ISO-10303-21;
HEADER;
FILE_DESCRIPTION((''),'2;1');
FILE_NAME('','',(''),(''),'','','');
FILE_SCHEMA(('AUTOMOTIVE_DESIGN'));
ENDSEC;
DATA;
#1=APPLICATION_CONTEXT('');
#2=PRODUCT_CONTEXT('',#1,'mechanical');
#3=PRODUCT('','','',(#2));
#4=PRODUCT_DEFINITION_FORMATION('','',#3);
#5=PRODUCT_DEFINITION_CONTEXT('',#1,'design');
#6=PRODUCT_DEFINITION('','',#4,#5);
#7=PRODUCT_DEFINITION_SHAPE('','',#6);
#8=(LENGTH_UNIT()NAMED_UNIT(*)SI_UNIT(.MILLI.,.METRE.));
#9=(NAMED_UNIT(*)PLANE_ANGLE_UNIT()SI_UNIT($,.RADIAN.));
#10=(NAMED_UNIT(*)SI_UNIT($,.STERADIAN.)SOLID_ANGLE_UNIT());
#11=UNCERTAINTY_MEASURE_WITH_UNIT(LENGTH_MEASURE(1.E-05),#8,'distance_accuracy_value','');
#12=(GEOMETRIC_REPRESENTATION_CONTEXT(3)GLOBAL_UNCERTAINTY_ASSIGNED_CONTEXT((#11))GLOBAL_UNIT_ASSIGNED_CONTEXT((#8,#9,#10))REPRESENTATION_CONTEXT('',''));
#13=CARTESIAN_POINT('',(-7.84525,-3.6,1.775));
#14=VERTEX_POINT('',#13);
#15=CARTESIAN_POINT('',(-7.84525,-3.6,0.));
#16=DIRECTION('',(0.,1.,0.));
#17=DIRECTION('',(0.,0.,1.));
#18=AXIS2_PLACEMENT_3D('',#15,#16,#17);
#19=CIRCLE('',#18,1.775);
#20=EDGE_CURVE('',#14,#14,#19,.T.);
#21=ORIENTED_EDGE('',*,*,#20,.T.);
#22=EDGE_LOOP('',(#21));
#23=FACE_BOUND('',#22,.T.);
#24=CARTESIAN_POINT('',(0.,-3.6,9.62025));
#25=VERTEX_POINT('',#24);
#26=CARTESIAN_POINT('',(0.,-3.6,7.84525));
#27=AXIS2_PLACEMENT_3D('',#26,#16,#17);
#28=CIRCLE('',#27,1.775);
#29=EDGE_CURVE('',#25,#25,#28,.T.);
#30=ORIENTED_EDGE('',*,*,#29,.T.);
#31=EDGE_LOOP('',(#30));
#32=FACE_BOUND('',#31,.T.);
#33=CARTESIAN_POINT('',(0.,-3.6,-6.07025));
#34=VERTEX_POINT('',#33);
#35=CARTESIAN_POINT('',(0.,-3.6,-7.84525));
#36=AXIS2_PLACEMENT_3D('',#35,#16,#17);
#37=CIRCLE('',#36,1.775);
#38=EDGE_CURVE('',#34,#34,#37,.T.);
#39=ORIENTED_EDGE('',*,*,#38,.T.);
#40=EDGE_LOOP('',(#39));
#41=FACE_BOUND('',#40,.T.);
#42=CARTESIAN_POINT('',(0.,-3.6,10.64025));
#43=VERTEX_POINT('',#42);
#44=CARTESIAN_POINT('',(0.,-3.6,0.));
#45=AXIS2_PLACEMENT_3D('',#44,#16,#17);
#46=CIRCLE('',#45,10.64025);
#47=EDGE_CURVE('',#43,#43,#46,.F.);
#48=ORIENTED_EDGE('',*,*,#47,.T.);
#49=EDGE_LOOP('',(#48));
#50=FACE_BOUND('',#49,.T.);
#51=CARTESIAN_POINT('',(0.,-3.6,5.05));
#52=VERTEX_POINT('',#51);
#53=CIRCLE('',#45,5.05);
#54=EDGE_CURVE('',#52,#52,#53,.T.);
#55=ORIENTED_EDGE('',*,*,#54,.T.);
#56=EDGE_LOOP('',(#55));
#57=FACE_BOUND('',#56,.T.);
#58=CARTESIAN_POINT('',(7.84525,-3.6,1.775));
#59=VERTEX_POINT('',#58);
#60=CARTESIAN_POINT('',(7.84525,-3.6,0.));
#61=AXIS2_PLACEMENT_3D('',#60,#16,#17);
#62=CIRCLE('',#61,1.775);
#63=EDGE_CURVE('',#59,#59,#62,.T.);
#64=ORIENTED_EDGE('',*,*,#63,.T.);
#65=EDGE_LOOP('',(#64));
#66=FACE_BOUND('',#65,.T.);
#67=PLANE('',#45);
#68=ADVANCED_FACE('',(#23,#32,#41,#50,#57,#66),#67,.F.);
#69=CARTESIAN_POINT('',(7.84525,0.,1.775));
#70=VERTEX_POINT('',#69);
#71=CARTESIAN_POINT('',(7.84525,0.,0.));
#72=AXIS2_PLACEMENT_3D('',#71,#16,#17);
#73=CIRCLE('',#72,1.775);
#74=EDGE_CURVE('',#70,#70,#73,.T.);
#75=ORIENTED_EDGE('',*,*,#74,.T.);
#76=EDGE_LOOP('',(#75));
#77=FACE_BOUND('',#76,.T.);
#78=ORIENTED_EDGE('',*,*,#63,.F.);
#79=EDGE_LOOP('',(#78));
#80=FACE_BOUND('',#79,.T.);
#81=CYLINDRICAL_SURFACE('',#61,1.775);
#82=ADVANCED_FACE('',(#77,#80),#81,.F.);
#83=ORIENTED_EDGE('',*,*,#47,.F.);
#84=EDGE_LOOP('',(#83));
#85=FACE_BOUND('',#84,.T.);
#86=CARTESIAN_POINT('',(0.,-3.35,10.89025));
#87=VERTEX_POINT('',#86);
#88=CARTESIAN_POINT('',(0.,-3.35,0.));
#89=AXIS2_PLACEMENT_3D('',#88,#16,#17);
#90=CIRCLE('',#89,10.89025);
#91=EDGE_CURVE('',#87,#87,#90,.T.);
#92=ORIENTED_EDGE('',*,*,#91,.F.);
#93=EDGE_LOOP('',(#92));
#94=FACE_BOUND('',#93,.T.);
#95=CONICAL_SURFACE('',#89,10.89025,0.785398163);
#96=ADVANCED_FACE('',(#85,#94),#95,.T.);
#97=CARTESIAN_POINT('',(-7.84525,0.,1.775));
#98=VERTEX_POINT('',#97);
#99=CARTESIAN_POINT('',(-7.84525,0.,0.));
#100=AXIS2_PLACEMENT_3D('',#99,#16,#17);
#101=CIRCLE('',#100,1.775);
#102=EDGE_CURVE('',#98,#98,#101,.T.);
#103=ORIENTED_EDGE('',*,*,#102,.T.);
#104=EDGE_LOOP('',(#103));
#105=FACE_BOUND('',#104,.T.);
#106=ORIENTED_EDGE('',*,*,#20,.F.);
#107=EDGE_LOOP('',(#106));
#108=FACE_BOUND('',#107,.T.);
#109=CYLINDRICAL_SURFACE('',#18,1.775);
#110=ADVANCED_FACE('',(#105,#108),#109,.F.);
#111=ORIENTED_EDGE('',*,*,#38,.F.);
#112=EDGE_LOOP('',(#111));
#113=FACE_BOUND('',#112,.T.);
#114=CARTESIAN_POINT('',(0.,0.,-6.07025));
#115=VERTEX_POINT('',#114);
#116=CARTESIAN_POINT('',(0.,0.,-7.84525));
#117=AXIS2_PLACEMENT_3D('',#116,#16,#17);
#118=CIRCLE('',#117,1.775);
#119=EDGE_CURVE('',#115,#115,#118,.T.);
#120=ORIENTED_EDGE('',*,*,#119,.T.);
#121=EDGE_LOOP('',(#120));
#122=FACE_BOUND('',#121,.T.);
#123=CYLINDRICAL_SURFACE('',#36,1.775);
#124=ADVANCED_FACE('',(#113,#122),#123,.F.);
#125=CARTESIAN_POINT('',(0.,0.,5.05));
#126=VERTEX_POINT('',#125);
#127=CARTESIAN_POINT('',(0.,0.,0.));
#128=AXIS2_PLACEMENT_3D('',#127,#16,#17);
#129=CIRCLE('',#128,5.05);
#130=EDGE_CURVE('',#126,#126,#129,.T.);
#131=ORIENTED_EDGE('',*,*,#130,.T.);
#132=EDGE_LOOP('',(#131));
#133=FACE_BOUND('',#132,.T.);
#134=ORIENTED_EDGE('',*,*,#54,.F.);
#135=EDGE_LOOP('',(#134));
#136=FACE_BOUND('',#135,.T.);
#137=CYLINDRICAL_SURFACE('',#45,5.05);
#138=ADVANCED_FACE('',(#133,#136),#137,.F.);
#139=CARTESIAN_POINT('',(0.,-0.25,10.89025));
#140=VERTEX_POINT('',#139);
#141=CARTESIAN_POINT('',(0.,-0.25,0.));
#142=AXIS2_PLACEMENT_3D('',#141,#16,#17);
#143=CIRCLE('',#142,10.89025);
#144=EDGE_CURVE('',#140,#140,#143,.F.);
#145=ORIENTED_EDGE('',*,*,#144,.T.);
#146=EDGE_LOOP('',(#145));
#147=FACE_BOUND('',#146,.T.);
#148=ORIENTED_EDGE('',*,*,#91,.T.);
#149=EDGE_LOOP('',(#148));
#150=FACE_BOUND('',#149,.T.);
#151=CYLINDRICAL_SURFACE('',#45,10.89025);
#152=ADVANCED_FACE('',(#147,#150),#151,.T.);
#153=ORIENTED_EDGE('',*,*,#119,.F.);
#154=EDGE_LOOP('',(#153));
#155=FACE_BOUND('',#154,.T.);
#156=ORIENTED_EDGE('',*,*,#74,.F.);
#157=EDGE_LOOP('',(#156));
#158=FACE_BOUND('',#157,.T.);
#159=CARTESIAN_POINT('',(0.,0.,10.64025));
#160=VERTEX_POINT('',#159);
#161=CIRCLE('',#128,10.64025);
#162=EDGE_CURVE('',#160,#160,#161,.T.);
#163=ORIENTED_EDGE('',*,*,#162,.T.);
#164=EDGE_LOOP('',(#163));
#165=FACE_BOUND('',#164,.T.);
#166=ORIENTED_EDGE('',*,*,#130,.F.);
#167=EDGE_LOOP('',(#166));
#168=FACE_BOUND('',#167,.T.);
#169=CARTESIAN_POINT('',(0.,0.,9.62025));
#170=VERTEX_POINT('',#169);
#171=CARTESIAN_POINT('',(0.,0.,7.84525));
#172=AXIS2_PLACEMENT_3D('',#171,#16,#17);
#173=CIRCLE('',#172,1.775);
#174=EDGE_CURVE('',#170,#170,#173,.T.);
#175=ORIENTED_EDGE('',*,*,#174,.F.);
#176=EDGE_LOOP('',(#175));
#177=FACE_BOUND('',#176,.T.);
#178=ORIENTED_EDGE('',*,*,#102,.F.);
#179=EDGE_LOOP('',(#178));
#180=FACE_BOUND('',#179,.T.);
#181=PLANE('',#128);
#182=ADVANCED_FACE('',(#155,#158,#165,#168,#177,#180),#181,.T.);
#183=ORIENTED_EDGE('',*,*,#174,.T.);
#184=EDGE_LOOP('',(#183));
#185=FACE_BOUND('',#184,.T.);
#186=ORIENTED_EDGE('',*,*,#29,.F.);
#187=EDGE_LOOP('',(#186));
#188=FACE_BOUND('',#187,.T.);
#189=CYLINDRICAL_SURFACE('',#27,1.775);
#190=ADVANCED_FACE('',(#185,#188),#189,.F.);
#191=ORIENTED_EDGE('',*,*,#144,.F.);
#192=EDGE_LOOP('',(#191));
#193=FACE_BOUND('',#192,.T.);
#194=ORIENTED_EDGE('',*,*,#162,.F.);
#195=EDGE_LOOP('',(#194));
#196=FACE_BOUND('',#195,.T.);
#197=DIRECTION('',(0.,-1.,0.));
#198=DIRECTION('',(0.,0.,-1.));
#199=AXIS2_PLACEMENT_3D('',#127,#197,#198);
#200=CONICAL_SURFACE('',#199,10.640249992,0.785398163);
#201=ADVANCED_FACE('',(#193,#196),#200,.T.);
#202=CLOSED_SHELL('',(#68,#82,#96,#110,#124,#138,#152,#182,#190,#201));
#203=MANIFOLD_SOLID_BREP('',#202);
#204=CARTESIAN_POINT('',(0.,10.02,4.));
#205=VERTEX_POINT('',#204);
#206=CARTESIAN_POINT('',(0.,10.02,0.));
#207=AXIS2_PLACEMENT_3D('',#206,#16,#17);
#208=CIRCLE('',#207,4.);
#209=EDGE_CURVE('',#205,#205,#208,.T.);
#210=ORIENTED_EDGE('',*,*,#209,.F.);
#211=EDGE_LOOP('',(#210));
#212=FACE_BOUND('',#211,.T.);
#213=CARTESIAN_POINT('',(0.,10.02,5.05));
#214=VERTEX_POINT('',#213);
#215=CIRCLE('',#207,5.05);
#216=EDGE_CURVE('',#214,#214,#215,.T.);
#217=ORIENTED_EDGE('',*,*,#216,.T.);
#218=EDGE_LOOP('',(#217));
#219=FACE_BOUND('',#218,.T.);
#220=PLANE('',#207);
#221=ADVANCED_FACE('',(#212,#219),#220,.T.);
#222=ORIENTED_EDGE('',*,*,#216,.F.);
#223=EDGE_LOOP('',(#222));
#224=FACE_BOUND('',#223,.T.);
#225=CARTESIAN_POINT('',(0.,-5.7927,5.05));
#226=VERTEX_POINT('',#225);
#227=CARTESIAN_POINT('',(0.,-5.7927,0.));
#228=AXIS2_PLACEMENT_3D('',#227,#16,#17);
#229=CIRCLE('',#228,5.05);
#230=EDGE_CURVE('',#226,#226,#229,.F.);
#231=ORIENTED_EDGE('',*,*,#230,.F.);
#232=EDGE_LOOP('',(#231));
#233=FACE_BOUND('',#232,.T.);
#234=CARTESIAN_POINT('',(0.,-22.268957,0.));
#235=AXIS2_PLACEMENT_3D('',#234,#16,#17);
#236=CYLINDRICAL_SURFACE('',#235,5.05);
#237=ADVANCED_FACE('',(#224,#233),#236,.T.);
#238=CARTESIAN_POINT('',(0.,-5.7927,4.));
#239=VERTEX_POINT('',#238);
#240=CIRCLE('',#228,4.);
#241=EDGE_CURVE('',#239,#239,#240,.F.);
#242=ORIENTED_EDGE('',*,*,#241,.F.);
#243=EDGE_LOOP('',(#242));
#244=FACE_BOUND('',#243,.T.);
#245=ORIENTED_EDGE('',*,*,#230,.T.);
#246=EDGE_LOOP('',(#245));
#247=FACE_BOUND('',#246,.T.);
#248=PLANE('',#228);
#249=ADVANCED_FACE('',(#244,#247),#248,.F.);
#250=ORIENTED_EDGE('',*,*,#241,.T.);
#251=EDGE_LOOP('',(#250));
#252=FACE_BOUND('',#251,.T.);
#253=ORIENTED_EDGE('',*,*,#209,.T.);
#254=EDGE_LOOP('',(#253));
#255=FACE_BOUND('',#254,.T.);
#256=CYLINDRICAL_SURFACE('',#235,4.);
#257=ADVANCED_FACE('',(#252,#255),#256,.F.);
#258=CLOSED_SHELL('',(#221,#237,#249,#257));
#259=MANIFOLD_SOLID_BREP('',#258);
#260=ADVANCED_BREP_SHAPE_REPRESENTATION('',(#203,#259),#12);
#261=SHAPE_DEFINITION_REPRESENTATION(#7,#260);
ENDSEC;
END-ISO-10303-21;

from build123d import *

# Parameters (mm, degrees)
SKETCH1_R                = 10.89025
SKETCH1_R_2              = 1.775
SKETCH1_R_3              = 5.05
BOSS_EXTRUDE1_DEPTH      = 3.6
SKETCH1_3_R              = 5.05
SKETCH1_3_R_2            = 4
BOSS_EXTRUDE2_DEPTH      = 10.02
BOSS_EXTRUDE2_DEPTH_BACK = 5.7927
CHAMFER2_SIZE            = 0.250000008


with BuildPart() as part:
    # Sketch1 → Boss-Extrude1 (new body)
    with BuildSketch(Plane(origin=(0, 0, 0), x_dir=(1, 0, 0), z_dir=(0, 1, 0))):
        Circle(SKETCH1_R)
        with Locations((-7.84525, 0)):
            Circle(SKETCH1_R_2, mode=Mode.SUBTRACT)
        with Locations((0, -7.84525)):
            Circle(SKETCH1_R_2, mode=Mode.SUBTRACT)
        with Locations((7.84525, 0)):
            Circle(SKETCH1_R_2, mode=Mode.SUBTRACT)
        with Locations((0, 7.84525)):
            Circle(SKETCH1_R_2, mode=Mode.SUBTRACT)
        Circle(SKETCH1_R_3, mode=Mode.SUBTRACT)
    extrude(amount=-BOSS_EXTRUDE1_DEPTH)

    # Chamfer2
    chamfer2_edges = [part.edges().sort_by_distance(p)[0] for p in [
        (-10.89025, -3.6, 0),
        (-10.89025, 0, 0),
    ]]
    chamfer(chamfer2_edges, length=CHAMFER2_SIZE)


with BuildPart() as body_2:
    # Sketch1<3> → Boss-Extrude2 (new body, two sides)
    with BuildSketch(Plane(origin=(0, 0, 0), x_dir=(1, 0, 0), z_dir=(0, 1, 0))) as boss_extrude2_sk:
        Circle(SKETCH1_3_R)
        Circle(SKETCH1_3_R_2, mode=Mode.SUBTRACT)
    extrude(amount=BOSS_EXTRUDE2_DEPTH)
    extrude(boss_extrude2_sk.sketch, amount=-BOSS_EXTRUDE2_DEPTH_BACK)


solid = Compound([part.part, body_2.part])
